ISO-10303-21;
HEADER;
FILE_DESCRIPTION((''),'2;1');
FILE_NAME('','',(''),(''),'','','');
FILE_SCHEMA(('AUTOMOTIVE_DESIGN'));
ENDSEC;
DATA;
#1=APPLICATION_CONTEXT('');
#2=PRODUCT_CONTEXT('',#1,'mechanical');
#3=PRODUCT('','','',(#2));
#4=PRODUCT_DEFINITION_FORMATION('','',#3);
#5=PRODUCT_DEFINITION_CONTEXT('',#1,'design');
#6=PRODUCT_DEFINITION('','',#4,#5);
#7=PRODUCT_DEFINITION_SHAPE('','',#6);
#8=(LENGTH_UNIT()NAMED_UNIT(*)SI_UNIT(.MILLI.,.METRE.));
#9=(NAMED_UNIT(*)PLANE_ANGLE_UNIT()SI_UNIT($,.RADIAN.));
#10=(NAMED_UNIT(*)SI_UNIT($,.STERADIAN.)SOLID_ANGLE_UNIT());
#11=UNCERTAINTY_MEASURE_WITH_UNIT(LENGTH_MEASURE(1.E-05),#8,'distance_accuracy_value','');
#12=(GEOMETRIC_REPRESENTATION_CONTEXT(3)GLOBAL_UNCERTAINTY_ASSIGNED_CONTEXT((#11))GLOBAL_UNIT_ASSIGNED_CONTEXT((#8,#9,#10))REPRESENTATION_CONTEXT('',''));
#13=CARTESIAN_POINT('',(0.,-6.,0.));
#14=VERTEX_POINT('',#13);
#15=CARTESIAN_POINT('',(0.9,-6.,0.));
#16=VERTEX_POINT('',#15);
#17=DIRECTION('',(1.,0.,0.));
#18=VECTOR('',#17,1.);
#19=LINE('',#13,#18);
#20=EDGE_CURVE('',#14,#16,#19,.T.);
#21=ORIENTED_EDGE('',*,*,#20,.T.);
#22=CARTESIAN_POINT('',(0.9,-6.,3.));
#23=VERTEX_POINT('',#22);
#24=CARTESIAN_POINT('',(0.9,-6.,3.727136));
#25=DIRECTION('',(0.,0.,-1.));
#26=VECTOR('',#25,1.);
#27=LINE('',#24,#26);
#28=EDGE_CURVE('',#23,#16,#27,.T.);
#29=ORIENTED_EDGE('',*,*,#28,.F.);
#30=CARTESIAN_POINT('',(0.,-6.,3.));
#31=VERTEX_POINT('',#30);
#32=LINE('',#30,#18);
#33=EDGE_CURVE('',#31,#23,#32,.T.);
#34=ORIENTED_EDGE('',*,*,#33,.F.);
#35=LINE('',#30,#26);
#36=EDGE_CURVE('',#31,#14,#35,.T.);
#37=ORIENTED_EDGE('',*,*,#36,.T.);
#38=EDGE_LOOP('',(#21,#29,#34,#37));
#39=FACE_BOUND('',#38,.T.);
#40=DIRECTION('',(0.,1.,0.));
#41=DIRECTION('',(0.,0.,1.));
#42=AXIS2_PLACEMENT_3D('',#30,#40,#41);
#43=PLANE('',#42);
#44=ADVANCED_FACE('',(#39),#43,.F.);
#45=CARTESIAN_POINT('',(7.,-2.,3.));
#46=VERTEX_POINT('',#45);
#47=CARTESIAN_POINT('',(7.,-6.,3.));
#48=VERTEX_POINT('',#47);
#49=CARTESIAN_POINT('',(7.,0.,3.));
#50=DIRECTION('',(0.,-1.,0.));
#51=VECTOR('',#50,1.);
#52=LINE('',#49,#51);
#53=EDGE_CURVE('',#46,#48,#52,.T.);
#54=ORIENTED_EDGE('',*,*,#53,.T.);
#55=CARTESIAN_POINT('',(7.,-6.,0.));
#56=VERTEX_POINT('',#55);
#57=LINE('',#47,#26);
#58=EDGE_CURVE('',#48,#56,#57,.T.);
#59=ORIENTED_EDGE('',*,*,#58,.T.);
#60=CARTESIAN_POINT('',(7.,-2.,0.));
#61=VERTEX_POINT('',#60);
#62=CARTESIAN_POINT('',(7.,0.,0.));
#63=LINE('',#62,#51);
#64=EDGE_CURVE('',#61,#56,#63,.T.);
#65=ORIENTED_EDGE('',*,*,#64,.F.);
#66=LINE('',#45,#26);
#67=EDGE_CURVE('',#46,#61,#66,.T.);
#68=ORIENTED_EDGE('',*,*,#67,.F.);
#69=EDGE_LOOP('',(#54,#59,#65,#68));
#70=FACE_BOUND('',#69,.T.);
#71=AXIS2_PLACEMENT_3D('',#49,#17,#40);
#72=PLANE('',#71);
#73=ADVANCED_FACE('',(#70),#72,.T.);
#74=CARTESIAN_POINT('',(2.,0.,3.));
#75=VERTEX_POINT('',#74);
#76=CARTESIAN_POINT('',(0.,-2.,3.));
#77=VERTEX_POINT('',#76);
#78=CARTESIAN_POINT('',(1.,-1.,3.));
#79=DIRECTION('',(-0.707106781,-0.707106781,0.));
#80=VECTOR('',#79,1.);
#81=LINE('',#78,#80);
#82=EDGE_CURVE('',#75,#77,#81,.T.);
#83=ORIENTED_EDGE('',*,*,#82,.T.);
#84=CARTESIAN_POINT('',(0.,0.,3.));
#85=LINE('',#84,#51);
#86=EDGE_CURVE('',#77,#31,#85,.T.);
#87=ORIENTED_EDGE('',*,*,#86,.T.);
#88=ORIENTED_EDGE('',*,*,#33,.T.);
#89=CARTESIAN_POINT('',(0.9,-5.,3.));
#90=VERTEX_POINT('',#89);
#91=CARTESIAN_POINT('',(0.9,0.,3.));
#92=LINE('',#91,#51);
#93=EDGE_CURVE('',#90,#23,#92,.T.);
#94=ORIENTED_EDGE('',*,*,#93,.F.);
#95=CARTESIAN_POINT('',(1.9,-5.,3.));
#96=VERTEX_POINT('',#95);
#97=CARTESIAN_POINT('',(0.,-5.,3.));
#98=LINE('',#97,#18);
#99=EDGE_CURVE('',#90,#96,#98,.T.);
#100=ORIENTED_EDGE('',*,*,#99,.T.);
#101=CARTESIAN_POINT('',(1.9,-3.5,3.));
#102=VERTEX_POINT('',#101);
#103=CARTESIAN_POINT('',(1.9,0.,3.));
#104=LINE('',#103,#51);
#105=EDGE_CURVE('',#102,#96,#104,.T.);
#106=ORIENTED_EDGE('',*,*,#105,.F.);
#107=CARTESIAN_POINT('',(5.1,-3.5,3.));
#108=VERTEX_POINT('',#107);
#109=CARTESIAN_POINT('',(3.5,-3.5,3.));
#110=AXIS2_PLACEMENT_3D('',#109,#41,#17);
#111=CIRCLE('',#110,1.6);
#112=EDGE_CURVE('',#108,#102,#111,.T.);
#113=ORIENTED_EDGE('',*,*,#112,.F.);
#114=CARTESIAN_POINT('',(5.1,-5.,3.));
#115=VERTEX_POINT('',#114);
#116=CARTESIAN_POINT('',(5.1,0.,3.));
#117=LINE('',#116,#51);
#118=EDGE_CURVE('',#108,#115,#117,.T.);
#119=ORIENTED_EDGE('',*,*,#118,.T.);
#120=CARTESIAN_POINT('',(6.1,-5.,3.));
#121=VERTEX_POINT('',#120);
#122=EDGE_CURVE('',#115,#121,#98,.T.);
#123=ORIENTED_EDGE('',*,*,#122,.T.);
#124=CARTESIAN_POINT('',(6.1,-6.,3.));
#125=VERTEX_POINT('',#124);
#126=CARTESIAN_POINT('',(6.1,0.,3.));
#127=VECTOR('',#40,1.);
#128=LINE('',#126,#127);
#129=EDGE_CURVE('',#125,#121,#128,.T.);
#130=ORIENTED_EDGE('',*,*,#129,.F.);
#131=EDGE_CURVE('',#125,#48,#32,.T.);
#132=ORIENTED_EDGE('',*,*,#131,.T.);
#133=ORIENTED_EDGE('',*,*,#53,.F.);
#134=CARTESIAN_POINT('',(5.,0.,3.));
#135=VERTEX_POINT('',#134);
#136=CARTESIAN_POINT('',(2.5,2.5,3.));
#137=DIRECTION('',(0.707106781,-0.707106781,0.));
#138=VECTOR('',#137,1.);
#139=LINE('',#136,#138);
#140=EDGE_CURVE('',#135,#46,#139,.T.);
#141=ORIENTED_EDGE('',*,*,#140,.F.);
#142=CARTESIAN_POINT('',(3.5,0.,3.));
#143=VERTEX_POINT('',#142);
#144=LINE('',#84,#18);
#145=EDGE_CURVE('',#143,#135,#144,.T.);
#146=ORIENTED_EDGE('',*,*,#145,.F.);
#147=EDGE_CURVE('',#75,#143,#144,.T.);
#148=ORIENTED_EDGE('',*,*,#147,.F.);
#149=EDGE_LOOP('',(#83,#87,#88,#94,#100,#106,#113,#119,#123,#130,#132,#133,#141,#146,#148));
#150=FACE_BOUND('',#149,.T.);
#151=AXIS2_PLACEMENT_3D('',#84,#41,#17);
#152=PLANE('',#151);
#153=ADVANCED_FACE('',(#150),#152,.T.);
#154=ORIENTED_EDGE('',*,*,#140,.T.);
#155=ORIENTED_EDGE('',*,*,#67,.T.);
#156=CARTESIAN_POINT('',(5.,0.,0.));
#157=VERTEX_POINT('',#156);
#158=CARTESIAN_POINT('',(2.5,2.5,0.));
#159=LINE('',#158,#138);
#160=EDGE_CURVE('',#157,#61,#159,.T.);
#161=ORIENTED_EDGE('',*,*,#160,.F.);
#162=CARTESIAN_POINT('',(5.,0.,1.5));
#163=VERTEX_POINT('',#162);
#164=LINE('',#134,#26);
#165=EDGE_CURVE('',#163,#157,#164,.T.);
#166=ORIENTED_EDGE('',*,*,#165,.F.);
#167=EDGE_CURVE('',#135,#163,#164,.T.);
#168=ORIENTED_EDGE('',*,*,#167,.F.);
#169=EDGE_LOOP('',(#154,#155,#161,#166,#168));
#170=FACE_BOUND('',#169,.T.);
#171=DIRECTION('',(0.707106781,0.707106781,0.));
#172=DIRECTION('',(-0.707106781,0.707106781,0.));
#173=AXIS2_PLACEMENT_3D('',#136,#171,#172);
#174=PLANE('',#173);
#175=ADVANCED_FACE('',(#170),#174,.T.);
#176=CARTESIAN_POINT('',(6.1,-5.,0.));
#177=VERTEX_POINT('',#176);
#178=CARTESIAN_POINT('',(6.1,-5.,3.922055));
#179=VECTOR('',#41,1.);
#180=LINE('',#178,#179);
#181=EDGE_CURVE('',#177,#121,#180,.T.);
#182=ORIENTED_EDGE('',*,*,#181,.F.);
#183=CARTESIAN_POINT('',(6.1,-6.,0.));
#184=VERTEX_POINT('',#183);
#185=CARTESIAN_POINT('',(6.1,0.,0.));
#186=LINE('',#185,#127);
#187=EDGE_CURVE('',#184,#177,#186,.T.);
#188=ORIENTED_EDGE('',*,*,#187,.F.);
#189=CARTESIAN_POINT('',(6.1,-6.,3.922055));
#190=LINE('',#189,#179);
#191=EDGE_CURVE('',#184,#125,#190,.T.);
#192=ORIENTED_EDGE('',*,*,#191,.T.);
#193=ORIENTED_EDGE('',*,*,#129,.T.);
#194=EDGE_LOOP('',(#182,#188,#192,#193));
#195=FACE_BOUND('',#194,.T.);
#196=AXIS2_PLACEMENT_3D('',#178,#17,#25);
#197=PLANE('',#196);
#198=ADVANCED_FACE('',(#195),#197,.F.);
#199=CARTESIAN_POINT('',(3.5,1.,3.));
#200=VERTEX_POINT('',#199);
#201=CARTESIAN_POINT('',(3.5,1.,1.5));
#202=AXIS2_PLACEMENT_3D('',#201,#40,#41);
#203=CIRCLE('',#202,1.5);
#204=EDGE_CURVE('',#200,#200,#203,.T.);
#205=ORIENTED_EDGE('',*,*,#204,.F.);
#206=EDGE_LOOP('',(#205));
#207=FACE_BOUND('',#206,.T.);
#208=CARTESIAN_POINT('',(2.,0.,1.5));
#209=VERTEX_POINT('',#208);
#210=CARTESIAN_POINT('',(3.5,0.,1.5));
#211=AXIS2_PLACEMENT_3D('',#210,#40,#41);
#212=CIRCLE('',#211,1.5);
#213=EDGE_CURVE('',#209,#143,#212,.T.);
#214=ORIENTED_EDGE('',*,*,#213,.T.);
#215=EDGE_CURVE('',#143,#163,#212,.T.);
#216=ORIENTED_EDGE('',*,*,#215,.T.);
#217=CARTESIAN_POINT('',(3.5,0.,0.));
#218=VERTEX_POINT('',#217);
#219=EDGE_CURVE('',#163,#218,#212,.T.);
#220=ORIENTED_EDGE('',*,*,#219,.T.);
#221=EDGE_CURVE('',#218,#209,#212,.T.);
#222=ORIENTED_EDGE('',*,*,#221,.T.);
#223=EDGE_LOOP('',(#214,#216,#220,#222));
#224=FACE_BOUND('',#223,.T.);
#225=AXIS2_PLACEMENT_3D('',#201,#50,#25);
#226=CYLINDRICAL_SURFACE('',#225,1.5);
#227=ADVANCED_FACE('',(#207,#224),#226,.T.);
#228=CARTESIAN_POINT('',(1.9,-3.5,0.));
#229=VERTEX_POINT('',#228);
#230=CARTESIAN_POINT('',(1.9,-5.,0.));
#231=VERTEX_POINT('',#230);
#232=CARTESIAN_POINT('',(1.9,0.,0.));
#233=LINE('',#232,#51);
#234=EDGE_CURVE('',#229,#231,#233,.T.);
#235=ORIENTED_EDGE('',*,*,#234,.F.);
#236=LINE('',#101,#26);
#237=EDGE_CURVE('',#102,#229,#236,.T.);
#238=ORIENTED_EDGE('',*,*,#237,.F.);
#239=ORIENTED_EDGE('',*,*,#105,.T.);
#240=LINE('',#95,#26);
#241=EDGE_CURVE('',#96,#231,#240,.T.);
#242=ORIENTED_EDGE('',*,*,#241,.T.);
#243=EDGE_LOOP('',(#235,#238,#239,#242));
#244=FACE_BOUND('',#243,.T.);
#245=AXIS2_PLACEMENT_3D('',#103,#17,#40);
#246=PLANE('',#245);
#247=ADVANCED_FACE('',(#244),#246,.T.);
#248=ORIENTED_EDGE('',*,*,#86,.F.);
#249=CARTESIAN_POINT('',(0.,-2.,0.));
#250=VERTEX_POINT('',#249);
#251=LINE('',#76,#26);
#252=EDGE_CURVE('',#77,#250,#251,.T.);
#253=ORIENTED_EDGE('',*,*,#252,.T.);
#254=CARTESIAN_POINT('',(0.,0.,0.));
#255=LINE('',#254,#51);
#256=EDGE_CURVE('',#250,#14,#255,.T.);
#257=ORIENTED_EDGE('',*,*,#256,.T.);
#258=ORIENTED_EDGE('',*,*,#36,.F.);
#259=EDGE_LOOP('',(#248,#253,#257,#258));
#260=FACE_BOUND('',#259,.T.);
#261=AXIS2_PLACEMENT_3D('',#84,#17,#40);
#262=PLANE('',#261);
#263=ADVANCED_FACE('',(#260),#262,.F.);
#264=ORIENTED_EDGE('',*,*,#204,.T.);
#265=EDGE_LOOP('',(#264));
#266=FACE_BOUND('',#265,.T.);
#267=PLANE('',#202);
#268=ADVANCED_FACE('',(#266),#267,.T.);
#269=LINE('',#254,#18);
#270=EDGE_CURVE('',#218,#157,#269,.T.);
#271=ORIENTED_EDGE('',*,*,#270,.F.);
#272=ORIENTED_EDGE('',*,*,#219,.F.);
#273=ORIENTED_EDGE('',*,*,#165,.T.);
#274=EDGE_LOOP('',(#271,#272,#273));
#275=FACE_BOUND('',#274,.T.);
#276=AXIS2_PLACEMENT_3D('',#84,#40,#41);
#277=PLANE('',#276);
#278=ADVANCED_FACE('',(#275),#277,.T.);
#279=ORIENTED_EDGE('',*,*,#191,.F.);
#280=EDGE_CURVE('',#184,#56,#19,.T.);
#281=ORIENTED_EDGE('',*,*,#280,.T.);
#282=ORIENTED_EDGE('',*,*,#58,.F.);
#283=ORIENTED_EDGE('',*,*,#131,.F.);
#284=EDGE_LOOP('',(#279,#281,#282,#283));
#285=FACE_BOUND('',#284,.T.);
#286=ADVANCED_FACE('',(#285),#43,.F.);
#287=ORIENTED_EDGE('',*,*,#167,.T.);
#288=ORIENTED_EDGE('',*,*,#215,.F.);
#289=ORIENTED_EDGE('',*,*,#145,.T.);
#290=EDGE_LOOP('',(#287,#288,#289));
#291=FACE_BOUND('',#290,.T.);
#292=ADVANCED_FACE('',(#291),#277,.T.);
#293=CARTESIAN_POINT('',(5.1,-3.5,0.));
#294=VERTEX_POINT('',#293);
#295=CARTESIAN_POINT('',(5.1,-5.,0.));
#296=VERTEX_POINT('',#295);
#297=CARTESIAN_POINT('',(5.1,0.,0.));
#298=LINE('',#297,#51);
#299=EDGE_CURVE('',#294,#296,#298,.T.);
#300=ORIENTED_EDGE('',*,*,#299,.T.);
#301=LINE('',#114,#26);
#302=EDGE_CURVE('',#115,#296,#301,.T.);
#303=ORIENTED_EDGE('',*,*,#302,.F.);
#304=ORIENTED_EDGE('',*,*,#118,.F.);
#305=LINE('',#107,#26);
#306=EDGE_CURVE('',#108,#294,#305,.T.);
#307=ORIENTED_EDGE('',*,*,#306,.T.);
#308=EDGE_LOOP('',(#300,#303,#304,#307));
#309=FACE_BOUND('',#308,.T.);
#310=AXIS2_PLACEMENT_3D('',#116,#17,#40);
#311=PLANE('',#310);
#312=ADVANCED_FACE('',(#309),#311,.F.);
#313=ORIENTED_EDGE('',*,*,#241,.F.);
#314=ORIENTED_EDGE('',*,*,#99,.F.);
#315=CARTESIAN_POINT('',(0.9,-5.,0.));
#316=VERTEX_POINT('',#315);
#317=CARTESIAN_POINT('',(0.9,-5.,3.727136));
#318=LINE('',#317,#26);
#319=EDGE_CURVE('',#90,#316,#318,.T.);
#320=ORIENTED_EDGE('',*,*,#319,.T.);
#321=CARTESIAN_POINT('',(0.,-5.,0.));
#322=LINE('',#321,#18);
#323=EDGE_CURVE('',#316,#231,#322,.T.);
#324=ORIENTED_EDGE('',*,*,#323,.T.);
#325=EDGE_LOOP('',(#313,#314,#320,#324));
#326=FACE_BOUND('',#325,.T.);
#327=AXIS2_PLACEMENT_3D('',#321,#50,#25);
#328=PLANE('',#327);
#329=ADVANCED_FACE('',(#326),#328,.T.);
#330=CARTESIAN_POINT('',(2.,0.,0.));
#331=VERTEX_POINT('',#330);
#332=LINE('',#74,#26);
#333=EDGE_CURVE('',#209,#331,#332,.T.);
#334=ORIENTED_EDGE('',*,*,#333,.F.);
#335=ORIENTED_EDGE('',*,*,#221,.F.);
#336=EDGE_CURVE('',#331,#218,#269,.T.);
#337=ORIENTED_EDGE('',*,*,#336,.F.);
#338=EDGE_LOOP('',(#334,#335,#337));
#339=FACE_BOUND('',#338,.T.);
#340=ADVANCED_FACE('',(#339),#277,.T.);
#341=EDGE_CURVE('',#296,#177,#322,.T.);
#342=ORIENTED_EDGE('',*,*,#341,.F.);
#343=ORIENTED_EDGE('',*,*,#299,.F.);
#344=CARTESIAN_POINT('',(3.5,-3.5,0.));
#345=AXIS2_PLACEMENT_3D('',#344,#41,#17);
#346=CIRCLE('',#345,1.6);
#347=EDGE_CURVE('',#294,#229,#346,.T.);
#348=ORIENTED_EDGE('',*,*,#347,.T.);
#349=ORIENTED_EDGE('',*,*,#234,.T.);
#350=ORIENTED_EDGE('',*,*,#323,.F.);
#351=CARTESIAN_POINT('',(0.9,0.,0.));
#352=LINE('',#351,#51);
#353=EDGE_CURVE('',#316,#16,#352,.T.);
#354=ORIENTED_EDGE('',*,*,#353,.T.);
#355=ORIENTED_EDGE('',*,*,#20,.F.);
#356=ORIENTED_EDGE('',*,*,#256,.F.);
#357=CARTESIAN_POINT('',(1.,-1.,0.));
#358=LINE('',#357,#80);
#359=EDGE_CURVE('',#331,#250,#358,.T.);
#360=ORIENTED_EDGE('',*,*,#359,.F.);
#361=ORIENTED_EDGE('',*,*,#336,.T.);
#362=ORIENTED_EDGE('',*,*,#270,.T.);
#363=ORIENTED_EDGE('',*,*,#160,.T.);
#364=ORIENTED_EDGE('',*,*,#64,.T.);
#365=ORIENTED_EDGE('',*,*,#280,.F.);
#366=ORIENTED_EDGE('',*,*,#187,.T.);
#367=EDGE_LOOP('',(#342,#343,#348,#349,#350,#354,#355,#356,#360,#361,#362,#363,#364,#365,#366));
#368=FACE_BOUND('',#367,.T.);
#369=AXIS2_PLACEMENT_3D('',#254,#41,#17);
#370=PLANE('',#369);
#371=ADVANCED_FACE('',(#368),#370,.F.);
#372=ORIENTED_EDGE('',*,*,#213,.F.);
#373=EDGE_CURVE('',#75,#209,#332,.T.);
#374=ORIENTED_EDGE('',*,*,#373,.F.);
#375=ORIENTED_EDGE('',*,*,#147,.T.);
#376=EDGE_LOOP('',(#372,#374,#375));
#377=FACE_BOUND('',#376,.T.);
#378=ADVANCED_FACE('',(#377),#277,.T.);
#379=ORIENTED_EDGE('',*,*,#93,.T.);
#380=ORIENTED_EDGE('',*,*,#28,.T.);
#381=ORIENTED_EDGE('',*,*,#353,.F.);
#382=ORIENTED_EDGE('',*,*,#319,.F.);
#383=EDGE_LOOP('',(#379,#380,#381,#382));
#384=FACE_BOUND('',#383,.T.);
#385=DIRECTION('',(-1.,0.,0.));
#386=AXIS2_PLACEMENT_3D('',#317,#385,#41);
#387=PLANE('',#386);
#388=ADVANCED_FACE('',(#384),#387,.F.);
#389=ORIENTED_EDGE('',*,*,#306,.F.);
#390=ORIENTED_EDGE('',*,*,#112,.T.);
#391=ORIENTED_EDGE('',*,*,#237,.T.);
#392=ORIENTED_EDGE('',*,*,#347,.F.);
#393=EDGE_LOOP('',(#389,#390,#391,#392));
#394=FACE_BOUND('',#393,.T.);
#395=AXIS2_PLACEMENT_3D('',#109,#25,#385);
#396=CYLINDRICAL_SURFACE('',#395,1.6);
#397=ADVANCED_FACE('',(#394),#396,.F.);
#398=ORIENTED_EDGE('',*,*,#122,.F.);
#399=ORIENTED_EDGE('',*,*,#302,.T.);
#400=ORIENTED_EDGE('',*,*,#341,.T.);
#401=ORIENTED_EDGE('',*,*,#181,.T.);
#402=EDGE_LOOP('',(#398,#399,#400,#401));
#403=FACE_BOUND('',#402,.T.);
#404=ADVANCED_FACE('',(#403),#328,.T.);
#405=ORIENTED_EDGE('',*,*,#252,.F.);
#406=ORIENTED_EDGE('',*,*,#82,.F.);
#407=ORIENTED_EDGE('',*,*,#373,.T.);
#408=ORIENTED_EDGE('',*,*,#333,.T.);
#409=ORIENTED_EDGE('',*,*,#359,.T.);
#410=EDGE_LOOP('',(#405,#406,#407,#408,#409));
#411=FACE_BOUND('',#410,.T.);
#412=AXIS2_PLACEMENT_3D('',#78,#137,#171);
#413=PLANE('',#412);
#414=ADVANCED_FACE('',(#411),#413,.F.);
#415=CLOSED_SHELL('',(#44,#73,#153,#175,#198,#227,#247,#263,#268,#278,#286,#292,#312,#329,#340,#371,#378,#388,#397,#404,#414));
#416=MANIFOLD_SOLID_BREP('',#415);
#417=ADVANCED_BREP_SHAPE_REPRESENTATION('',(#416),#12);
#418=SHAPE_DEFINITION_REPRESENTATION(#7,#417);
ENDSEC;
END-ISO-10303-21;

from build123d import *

# Parameters (mm, degrees)
EXTRUDE_1_DEPTH     = 3
SKETCH_4_R          = 1.5
EXTRUDE_3_DEPTH     = 1
SKETCH_8_W          = 1.758290516
SKETCH_8_H          = 4.288229266
SKETCH_8_W_2        = 1.505617074
SKETCH_8_H_2        = 4.786356908
CUT_EXTRUDE_3_DEPTH = 1


with BuildPart() as part:
    # 草图2 → 凸台-拉伸1 (new body)
    with BuildSketch(Plane.XY):
        with BuildLine():
            Line((5, 0), (2, 0))
            Line((2, 0), (0, -2))
            Line((0, -2), (0, -6))
            Line((0, -6), (1.9, -6))
            Line((1.9, -6), (1.9, -3.5))
            ThreePointArc((1.9, -3.5), (3.5, -1.9), (5.1, -3.5))
            Line((5.1, -3.5), (5.1, -6))
            Line((5.1, -6), (7, -6))
            Line((7, -6), (7, -2))
            Line((7, -2), (5, 0))
        make_face()
    extrude(amount=EXTRUDE_1_DEPTH)

    # 草图4 → 凸台-拉伸3 (add)
    with BuildSketch(Plane(origin=(0, 0, 0), x_dir=(1, 0, 0), z_dir=(0, 1, 0))):
        with Locations(Location((3.5, -1.5, 0), (0, 0, 270))):  # turned: the seam where the file's is
            Circle(SKETCH_4_R)
    extrude(amount=EXTRUDE_3_DEPTH)

    # 草图8 → 切除-拉伸3 (cut)
    with BuildSketch(Plane.XZ.offset(6)):
        with Locations((1.779145258, 1.583021274)):
            Rectangle(SKETCH_8_W, SKETCH_8_H)
        with Locations((5.347191463, 1.528876965)):
            Rectangle(SKETCH_8_W_2, SKETCH_8_H_2)
    extrude(amount=-CUT_EXTRUDE_3_DEPTH, mode=Mode.SUBTRACT)


solid = part.part
